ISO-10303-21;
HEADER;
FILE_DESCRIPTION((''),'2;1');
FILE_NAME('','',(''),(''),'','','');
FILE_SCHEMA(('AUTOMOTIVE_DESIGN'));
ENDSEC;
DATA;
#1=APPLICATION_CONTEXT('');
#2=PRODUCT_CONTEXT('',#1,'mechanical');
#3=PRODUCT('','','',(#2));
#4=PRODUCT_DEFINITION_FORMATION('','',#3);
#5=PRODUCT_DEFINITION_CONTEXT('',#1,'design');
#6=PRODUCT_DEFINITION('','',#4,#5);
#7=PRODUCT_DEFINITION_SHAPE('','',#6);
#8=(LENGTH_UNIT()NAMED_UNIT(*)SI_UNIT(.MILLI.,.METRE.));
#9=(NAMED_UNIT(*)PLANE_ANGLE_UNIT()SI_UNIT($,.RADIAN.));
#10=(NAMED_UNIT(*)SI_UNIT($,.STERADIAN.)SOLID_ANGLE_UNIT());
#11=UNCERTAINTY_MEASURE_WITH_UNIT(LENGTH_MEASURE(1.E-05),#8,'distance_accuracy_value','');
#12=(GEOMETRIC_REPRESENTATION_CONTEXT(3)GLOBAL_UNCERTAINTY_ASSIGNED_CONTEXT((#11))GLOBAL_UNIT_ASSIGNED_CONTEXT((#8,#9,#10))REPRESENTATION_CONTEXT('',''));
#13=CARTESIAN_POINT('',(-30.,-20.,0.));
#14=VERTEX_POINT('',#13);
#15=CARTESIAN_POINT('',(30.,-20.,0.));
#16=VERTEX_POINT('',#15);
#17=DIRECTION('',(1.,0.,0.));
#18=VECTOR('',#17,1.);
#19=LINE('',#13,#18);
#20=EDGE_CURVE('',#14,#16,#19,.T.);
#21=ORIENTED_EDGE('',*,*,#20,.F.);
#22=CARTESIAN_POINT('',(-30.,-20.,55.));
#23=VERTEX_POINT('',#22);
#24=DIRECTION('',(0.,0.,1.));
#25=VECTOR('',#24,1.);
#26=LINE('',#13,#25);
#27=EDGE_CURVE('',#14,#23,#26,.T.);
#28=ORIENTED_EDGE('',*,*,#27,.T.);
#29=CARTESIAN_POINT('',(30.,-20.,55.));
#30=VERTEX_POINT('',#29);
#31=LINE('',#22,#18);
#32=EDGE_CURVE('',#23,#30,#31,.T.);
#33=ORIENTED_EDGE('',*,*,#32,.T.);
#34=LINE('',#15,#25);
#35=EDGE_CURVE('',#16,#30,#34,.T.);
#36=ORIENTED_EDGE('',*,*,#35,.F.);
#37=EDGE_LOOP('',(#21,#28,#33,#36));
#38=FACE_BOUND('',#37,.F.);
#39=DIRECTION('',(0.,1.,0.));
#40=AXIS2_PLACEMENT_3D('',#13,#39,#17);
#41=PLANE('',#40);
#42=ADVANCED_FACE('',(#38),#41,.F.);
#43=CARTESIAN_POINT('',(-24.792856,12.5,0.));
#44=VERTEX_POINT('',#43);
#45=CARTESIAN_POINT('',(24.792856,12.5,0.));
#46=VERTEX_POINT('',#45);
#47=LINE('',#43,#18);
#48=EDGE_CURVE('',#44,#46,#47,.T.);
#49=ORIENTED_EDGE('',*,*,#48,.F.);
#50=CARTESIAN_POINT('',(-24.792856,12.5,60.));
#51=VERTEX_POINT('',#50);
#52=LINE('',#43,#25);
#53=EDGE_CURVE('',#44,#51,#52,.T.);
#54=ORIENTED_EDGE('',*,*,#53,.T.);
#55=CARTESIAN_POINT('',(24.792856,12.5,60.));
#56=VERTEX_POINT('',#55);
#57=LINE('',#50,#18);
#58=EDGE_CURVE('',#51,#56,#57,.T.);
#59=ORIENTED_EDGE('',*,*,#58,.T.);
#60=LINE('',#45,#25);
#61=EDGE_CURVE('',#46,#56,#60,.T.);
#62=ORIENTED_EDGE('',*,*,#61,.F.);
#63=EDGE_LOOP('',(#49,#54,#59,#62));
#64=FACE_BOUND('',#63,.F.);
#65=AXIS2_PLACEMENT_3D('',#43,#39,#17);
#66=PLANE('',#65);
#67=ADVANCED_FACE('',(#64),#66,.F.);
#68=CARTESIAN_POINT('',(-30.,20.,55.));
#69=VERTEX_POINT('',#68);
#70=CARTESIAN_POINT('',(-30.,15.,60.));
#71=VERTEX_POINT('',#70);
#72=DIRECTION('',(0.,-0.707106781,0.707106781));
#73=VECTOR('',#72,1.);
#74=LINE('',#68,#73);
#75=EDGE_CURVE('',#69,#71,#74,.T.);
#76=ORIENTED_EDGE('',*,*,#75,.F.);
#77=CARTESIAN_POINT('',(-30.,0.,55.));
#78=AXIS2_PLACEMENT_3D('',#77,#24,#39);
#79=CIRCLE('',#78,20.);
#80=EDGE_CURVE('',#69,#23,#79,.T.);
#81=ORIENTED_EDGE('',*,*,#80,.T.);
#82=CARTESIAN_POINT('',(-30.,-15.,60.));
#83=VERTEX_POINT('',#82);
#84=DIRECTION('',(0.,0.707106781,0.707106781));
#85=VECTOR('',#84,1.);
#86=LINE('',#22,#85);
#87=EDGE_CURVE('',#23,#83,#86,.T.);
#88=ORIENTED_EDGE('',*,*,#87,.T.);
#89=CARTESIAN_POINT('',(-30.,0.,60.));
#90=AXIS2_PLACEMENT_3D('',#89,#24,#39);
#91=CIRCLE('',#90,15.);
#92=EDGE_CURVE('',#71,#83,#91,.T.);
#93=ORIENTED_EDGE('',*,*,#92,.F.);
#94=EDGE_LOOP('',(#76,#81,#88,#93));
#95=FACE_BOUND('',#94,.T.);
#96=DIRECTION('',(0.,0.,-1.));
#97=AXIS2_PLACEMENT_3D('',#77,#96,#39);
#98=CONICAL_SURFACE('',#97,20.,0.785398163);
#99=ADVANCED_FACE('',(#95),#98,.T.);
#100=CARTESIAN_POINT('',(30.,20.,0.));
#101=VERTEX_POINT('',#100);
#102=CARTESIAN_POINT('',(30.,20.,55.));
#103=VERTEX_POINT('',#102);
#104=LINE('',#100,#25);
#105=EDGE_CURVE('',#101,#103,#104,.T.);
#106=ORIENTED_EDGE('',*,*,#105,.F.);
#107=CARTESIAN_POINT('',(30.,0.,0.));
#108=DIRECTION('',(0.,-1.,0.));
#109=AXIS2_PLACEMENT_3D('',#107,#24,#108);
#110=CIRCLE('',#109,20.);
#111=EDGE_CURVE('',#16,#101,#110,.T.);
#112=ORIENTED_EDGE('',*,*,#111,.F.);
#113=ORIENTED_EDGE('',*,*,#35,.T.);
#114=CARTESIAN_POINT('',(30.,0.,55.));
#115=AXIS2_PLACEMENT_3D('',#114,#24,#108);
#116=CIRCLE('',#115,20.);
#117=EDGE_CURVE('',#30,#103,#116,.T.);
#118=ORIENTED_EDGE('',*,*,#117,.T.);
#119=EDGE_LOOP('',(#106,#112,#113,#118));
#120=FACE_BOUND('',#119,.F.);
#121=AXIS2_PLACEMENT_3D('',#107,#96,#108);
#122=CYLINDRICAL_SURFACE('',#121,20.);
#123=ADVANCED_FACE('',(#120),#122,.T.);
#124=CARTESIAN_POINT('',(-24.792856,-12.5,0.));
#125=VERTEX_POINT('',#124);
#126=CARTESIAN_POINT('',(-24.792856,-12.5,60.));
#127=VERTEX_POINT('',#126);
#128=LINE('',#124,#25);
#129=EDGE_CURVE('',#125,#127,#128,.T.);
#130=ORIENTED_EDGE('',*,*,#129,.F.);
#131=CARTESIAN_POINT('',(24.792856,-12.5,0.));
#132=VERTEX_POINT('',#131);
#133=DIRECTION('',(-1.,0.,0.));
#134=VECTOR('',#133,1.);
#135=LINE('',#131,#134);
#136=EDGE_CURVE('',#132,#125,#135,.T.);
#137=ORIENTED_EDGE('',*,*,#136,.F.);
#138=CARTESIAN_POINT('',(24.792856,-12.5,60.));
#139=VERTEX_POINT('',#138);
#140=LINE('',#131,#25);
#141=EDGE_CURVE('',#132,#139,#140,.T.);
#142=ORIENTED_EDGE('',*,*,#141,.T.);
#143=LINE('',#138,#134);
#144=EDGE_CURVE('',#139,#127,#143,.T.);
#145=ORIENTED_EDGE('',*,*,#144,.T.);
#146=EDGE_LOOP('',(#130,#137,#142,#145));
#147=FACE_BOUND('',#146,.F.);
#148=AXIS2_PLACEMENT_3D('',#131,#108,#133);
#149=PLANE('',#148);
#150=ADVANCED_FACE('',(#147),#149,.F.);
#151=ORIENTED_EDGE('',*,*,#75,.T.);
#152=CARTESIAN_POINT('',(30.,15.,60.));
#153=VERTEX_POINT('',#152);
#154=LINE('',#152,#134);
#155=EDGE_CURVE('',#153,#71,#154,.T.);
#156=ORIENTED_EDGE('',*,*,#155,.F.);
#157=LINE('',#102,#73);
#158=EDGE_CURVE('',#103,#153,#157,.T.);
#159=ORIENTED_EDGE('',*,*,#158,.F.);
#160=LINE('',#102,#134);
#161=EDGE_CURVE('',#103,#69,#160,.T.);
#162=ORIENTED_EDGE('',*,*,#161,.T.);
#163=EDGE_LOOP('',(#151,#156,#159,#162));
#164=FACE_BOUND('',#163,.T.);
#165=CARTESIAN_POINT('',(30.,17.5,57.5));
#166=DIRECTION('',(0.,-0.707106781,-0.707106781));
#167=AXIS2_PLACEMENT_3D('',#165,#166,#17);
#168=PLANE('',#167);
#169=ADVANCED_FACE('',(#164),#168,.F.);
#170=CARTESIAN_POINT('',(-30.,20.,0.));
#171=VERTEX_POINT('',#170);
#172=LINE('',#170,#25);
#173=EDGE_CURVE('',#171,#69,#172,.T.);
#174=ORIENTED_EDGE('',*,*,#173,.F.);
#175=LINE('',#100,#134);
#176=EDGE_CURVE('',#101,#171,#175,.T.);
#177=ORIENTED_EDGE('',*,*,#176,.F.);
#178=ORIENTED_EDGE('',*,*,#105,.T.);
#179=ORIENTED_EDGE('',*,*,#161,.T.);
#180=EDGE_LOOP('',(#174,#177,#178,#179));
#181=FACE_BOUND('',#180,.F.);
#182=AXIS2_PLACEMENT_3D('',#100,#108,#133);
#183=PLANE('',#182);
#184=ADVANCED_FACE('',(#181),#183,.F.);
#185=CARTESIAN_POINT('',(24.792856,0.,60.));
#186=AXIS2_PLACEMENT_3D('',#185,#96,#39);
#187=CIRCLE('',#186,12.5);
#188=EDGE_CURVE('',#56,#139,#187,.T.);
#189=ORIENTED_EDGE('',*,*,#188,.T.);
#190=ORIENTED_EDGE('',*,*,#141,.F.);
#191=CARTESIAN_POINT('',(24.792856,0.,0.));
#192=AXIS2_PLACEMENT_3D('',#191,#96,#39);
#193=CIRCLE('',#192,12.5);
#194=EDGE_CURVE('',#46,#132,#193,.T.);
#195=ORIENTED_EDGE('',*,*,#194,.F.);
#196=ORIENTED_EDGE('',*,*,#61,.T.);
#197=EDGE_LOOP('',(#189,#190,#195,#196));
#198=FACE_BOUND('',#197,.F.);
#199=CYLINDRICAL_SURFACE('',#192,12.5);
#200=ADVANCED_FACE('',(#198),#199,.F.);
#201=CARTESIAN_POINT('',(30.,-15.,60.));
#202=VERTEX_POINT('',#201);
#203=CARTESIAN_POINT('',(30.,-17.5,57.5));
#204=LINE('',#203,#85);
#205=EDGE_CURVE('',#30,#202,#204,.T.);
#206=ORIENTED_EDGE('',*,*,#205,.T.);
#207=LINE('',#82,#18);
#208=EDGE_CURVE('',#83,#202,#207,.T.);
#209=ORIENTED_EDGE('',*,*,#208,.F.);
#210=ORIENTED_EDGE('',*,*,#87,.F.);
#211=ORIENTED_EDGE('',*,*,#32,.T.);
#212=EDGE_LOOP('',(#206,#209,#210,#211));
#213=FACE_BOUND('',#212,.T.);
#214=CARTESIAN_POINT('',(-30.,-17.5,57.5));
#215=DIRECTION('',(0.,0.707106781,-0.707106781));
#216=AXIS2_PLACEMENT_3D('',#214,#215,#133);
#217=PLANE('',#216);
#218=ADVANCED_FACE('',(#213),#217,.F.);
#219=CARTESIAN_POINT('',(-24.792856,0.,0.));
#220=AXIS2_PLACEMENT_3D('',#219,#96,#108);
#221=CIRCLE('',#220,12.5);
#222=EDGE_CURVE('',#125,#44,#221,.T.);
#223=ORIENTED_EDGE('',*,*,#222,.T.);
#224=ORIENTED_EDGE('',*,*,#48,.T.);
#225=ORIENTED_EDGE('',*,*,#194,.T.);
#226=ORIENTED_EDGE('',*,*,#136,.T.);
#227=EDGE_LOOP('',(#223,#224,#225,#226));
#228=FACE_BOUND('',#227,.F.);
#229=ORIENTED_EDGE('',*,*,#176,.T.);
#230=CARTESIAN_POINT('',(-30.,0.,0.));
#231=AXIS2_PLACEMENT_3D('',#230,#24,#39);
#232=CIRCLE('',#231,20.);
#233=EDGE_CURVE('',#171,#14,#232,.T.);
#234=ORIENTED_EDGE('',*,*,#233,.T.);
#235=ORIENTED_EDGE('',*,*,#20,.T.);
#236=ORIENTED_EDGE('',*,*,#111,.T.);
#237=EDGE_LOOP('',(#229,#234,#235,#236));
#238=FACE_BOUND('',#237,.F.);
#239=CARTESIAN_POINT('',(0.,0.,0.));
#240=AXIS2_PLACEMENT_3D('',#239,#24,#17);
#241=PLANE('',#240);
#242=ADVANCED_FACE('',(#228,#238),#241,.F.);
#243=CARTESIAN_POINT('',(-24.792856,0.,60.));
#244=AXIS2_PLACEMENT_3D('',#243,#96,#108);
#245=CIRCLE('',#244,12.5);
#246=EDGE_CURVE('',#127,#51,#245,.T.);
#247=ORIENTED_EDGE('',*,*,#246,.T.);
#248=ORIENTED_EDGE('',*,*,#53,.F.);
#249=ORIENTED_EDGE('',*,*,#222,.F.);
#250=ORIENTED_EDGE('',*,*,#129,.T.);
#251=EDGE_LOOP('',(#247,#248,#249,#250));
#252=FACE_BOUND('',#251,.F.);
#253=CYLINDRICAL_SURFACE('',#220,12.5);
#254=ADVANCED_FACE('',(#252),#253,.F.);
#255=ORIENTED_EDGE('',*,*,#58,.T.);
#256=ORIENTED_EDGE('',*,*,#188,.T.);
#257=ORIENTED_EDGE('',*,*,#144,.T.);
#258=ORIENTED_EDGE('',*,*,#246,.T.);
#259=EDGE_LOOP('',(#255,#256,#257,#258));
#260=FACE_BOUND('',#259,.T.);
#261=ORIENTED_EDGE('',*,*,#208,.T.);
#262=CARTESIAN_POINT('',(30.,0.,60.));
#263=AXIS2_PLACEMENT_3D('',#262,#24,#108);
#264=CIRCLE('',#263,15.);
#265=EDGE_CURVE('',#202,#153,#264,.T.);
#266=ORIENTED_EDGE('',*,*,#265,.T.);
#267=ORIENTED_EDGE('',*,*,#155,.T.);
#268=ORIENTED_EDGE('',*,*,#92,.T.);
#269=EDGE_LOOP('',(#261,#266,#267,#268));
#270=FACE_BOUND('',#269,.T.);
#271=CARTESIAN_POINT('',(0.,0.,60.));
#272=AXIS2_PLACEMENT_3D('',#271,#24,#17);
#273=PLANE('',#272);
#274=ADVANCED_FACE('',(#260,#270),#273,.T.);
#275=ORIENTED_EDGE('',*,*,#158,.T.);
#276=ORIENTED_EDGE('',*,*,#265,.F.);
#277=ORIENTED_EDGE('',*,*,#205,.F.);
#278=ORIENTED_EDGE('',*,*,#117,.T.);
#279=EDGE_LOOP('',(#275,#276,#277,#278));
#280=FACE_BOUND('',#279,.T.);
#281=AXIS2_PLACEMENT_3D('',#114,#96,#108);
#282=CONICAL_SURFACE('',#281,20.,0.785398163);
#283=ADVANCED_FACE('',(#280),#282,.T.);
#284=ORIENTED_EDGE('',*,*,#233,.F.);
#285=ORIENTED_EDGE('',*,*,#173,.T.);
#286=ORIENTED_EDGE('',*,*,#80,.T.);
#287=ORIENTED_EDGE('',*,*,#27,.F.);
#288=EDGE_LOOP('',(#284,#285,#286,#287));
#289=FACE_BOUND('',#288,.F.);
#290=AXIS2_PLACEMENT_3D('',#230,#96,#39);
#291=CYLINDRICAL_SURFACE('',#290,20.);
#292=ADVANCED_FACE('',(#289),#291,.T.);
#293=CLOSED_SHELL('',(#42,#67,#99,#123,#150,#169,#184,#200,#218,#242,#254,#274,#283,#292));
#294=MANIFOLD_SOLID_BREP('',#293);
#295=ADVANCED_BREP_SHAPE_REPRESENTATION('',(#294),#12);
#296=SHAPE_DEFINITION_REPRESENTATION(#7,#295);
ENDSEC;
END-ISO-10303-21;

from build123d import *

# Parameters (mm, degrees)
F1_DEPTH = 60
F2_SIZE2 = 5
F2_SIZE  = 5


with BuildPart() as f1:
    # F0 (on Top) → F1 (new body)
    with BuildSketch(Plane.XY):
        with BuildLine():
            Line((30, 20), (0, 20))
            Line((0, 20), (-30, 20))
            ThreePointArc((-30, 20), (-50, 0), (-30, -20))
            Line((-30, -20), (0, -20))
            Line((0, -20), (30, -20))
            ThreePointArc((30, -20), (50, 0), (30, 20))
        make_face()
        with BuildLine():
            Line((-30, 15), (0, 15))
            Line((0, 15), (30, 15))
            ThreePointArc((30, 15), (45, 0), (30, -15))
            Line((30, -15), (0, -15))
            Line((0, -15), (-30, -15))
            ThreePointArc((-30, -15), (-45, 0), (-30, 15))
        make_face(mode=Mode.SUBTRACT)
        with BuildLine():
            Line((30, 15), (0, 15))
            Line((0, 15), (-30, 15))
            ThreePointArc((-30, 15), (-45, 0), (-30, -15))
            Line((-30, -15), (0, -15))
            Line((0, -15), (30, -15))
            ThreePointArc((30, -15), (45, 0), (30, 15))
        make_face()
        with BuildLine():
            Line((24.7928556055, -12.5), (0, -12.5))
            Line((0, -12.5), (-24.7928556055, -12.5))
            ThreePointArc((-24.7928556055, -12.5), (-37.2928556055, 0), (-24.7928556055, 12.5))
            Line((-24.7928556055, 12.5), (0, 12.5))
            Line((0, 12.5), (24.7928556055, 12.5))
            ThreePointArc((24.7928556055, 12.5), (37.2928556055, 0), (24.7928556055, -12.5))
        make_face(mode=Mode.SUBTRACT)
    extrude(amount=F1_DEPTH)

    # F2
    f2_edges = [f1.edges().sort_by_distance(p)[0] for p in [
        (-50, 0, 60),
    ]]
    chamfer(f2_edges, length=F2_SIZE, length2=F2_SIZE2)


solid = f1.part
